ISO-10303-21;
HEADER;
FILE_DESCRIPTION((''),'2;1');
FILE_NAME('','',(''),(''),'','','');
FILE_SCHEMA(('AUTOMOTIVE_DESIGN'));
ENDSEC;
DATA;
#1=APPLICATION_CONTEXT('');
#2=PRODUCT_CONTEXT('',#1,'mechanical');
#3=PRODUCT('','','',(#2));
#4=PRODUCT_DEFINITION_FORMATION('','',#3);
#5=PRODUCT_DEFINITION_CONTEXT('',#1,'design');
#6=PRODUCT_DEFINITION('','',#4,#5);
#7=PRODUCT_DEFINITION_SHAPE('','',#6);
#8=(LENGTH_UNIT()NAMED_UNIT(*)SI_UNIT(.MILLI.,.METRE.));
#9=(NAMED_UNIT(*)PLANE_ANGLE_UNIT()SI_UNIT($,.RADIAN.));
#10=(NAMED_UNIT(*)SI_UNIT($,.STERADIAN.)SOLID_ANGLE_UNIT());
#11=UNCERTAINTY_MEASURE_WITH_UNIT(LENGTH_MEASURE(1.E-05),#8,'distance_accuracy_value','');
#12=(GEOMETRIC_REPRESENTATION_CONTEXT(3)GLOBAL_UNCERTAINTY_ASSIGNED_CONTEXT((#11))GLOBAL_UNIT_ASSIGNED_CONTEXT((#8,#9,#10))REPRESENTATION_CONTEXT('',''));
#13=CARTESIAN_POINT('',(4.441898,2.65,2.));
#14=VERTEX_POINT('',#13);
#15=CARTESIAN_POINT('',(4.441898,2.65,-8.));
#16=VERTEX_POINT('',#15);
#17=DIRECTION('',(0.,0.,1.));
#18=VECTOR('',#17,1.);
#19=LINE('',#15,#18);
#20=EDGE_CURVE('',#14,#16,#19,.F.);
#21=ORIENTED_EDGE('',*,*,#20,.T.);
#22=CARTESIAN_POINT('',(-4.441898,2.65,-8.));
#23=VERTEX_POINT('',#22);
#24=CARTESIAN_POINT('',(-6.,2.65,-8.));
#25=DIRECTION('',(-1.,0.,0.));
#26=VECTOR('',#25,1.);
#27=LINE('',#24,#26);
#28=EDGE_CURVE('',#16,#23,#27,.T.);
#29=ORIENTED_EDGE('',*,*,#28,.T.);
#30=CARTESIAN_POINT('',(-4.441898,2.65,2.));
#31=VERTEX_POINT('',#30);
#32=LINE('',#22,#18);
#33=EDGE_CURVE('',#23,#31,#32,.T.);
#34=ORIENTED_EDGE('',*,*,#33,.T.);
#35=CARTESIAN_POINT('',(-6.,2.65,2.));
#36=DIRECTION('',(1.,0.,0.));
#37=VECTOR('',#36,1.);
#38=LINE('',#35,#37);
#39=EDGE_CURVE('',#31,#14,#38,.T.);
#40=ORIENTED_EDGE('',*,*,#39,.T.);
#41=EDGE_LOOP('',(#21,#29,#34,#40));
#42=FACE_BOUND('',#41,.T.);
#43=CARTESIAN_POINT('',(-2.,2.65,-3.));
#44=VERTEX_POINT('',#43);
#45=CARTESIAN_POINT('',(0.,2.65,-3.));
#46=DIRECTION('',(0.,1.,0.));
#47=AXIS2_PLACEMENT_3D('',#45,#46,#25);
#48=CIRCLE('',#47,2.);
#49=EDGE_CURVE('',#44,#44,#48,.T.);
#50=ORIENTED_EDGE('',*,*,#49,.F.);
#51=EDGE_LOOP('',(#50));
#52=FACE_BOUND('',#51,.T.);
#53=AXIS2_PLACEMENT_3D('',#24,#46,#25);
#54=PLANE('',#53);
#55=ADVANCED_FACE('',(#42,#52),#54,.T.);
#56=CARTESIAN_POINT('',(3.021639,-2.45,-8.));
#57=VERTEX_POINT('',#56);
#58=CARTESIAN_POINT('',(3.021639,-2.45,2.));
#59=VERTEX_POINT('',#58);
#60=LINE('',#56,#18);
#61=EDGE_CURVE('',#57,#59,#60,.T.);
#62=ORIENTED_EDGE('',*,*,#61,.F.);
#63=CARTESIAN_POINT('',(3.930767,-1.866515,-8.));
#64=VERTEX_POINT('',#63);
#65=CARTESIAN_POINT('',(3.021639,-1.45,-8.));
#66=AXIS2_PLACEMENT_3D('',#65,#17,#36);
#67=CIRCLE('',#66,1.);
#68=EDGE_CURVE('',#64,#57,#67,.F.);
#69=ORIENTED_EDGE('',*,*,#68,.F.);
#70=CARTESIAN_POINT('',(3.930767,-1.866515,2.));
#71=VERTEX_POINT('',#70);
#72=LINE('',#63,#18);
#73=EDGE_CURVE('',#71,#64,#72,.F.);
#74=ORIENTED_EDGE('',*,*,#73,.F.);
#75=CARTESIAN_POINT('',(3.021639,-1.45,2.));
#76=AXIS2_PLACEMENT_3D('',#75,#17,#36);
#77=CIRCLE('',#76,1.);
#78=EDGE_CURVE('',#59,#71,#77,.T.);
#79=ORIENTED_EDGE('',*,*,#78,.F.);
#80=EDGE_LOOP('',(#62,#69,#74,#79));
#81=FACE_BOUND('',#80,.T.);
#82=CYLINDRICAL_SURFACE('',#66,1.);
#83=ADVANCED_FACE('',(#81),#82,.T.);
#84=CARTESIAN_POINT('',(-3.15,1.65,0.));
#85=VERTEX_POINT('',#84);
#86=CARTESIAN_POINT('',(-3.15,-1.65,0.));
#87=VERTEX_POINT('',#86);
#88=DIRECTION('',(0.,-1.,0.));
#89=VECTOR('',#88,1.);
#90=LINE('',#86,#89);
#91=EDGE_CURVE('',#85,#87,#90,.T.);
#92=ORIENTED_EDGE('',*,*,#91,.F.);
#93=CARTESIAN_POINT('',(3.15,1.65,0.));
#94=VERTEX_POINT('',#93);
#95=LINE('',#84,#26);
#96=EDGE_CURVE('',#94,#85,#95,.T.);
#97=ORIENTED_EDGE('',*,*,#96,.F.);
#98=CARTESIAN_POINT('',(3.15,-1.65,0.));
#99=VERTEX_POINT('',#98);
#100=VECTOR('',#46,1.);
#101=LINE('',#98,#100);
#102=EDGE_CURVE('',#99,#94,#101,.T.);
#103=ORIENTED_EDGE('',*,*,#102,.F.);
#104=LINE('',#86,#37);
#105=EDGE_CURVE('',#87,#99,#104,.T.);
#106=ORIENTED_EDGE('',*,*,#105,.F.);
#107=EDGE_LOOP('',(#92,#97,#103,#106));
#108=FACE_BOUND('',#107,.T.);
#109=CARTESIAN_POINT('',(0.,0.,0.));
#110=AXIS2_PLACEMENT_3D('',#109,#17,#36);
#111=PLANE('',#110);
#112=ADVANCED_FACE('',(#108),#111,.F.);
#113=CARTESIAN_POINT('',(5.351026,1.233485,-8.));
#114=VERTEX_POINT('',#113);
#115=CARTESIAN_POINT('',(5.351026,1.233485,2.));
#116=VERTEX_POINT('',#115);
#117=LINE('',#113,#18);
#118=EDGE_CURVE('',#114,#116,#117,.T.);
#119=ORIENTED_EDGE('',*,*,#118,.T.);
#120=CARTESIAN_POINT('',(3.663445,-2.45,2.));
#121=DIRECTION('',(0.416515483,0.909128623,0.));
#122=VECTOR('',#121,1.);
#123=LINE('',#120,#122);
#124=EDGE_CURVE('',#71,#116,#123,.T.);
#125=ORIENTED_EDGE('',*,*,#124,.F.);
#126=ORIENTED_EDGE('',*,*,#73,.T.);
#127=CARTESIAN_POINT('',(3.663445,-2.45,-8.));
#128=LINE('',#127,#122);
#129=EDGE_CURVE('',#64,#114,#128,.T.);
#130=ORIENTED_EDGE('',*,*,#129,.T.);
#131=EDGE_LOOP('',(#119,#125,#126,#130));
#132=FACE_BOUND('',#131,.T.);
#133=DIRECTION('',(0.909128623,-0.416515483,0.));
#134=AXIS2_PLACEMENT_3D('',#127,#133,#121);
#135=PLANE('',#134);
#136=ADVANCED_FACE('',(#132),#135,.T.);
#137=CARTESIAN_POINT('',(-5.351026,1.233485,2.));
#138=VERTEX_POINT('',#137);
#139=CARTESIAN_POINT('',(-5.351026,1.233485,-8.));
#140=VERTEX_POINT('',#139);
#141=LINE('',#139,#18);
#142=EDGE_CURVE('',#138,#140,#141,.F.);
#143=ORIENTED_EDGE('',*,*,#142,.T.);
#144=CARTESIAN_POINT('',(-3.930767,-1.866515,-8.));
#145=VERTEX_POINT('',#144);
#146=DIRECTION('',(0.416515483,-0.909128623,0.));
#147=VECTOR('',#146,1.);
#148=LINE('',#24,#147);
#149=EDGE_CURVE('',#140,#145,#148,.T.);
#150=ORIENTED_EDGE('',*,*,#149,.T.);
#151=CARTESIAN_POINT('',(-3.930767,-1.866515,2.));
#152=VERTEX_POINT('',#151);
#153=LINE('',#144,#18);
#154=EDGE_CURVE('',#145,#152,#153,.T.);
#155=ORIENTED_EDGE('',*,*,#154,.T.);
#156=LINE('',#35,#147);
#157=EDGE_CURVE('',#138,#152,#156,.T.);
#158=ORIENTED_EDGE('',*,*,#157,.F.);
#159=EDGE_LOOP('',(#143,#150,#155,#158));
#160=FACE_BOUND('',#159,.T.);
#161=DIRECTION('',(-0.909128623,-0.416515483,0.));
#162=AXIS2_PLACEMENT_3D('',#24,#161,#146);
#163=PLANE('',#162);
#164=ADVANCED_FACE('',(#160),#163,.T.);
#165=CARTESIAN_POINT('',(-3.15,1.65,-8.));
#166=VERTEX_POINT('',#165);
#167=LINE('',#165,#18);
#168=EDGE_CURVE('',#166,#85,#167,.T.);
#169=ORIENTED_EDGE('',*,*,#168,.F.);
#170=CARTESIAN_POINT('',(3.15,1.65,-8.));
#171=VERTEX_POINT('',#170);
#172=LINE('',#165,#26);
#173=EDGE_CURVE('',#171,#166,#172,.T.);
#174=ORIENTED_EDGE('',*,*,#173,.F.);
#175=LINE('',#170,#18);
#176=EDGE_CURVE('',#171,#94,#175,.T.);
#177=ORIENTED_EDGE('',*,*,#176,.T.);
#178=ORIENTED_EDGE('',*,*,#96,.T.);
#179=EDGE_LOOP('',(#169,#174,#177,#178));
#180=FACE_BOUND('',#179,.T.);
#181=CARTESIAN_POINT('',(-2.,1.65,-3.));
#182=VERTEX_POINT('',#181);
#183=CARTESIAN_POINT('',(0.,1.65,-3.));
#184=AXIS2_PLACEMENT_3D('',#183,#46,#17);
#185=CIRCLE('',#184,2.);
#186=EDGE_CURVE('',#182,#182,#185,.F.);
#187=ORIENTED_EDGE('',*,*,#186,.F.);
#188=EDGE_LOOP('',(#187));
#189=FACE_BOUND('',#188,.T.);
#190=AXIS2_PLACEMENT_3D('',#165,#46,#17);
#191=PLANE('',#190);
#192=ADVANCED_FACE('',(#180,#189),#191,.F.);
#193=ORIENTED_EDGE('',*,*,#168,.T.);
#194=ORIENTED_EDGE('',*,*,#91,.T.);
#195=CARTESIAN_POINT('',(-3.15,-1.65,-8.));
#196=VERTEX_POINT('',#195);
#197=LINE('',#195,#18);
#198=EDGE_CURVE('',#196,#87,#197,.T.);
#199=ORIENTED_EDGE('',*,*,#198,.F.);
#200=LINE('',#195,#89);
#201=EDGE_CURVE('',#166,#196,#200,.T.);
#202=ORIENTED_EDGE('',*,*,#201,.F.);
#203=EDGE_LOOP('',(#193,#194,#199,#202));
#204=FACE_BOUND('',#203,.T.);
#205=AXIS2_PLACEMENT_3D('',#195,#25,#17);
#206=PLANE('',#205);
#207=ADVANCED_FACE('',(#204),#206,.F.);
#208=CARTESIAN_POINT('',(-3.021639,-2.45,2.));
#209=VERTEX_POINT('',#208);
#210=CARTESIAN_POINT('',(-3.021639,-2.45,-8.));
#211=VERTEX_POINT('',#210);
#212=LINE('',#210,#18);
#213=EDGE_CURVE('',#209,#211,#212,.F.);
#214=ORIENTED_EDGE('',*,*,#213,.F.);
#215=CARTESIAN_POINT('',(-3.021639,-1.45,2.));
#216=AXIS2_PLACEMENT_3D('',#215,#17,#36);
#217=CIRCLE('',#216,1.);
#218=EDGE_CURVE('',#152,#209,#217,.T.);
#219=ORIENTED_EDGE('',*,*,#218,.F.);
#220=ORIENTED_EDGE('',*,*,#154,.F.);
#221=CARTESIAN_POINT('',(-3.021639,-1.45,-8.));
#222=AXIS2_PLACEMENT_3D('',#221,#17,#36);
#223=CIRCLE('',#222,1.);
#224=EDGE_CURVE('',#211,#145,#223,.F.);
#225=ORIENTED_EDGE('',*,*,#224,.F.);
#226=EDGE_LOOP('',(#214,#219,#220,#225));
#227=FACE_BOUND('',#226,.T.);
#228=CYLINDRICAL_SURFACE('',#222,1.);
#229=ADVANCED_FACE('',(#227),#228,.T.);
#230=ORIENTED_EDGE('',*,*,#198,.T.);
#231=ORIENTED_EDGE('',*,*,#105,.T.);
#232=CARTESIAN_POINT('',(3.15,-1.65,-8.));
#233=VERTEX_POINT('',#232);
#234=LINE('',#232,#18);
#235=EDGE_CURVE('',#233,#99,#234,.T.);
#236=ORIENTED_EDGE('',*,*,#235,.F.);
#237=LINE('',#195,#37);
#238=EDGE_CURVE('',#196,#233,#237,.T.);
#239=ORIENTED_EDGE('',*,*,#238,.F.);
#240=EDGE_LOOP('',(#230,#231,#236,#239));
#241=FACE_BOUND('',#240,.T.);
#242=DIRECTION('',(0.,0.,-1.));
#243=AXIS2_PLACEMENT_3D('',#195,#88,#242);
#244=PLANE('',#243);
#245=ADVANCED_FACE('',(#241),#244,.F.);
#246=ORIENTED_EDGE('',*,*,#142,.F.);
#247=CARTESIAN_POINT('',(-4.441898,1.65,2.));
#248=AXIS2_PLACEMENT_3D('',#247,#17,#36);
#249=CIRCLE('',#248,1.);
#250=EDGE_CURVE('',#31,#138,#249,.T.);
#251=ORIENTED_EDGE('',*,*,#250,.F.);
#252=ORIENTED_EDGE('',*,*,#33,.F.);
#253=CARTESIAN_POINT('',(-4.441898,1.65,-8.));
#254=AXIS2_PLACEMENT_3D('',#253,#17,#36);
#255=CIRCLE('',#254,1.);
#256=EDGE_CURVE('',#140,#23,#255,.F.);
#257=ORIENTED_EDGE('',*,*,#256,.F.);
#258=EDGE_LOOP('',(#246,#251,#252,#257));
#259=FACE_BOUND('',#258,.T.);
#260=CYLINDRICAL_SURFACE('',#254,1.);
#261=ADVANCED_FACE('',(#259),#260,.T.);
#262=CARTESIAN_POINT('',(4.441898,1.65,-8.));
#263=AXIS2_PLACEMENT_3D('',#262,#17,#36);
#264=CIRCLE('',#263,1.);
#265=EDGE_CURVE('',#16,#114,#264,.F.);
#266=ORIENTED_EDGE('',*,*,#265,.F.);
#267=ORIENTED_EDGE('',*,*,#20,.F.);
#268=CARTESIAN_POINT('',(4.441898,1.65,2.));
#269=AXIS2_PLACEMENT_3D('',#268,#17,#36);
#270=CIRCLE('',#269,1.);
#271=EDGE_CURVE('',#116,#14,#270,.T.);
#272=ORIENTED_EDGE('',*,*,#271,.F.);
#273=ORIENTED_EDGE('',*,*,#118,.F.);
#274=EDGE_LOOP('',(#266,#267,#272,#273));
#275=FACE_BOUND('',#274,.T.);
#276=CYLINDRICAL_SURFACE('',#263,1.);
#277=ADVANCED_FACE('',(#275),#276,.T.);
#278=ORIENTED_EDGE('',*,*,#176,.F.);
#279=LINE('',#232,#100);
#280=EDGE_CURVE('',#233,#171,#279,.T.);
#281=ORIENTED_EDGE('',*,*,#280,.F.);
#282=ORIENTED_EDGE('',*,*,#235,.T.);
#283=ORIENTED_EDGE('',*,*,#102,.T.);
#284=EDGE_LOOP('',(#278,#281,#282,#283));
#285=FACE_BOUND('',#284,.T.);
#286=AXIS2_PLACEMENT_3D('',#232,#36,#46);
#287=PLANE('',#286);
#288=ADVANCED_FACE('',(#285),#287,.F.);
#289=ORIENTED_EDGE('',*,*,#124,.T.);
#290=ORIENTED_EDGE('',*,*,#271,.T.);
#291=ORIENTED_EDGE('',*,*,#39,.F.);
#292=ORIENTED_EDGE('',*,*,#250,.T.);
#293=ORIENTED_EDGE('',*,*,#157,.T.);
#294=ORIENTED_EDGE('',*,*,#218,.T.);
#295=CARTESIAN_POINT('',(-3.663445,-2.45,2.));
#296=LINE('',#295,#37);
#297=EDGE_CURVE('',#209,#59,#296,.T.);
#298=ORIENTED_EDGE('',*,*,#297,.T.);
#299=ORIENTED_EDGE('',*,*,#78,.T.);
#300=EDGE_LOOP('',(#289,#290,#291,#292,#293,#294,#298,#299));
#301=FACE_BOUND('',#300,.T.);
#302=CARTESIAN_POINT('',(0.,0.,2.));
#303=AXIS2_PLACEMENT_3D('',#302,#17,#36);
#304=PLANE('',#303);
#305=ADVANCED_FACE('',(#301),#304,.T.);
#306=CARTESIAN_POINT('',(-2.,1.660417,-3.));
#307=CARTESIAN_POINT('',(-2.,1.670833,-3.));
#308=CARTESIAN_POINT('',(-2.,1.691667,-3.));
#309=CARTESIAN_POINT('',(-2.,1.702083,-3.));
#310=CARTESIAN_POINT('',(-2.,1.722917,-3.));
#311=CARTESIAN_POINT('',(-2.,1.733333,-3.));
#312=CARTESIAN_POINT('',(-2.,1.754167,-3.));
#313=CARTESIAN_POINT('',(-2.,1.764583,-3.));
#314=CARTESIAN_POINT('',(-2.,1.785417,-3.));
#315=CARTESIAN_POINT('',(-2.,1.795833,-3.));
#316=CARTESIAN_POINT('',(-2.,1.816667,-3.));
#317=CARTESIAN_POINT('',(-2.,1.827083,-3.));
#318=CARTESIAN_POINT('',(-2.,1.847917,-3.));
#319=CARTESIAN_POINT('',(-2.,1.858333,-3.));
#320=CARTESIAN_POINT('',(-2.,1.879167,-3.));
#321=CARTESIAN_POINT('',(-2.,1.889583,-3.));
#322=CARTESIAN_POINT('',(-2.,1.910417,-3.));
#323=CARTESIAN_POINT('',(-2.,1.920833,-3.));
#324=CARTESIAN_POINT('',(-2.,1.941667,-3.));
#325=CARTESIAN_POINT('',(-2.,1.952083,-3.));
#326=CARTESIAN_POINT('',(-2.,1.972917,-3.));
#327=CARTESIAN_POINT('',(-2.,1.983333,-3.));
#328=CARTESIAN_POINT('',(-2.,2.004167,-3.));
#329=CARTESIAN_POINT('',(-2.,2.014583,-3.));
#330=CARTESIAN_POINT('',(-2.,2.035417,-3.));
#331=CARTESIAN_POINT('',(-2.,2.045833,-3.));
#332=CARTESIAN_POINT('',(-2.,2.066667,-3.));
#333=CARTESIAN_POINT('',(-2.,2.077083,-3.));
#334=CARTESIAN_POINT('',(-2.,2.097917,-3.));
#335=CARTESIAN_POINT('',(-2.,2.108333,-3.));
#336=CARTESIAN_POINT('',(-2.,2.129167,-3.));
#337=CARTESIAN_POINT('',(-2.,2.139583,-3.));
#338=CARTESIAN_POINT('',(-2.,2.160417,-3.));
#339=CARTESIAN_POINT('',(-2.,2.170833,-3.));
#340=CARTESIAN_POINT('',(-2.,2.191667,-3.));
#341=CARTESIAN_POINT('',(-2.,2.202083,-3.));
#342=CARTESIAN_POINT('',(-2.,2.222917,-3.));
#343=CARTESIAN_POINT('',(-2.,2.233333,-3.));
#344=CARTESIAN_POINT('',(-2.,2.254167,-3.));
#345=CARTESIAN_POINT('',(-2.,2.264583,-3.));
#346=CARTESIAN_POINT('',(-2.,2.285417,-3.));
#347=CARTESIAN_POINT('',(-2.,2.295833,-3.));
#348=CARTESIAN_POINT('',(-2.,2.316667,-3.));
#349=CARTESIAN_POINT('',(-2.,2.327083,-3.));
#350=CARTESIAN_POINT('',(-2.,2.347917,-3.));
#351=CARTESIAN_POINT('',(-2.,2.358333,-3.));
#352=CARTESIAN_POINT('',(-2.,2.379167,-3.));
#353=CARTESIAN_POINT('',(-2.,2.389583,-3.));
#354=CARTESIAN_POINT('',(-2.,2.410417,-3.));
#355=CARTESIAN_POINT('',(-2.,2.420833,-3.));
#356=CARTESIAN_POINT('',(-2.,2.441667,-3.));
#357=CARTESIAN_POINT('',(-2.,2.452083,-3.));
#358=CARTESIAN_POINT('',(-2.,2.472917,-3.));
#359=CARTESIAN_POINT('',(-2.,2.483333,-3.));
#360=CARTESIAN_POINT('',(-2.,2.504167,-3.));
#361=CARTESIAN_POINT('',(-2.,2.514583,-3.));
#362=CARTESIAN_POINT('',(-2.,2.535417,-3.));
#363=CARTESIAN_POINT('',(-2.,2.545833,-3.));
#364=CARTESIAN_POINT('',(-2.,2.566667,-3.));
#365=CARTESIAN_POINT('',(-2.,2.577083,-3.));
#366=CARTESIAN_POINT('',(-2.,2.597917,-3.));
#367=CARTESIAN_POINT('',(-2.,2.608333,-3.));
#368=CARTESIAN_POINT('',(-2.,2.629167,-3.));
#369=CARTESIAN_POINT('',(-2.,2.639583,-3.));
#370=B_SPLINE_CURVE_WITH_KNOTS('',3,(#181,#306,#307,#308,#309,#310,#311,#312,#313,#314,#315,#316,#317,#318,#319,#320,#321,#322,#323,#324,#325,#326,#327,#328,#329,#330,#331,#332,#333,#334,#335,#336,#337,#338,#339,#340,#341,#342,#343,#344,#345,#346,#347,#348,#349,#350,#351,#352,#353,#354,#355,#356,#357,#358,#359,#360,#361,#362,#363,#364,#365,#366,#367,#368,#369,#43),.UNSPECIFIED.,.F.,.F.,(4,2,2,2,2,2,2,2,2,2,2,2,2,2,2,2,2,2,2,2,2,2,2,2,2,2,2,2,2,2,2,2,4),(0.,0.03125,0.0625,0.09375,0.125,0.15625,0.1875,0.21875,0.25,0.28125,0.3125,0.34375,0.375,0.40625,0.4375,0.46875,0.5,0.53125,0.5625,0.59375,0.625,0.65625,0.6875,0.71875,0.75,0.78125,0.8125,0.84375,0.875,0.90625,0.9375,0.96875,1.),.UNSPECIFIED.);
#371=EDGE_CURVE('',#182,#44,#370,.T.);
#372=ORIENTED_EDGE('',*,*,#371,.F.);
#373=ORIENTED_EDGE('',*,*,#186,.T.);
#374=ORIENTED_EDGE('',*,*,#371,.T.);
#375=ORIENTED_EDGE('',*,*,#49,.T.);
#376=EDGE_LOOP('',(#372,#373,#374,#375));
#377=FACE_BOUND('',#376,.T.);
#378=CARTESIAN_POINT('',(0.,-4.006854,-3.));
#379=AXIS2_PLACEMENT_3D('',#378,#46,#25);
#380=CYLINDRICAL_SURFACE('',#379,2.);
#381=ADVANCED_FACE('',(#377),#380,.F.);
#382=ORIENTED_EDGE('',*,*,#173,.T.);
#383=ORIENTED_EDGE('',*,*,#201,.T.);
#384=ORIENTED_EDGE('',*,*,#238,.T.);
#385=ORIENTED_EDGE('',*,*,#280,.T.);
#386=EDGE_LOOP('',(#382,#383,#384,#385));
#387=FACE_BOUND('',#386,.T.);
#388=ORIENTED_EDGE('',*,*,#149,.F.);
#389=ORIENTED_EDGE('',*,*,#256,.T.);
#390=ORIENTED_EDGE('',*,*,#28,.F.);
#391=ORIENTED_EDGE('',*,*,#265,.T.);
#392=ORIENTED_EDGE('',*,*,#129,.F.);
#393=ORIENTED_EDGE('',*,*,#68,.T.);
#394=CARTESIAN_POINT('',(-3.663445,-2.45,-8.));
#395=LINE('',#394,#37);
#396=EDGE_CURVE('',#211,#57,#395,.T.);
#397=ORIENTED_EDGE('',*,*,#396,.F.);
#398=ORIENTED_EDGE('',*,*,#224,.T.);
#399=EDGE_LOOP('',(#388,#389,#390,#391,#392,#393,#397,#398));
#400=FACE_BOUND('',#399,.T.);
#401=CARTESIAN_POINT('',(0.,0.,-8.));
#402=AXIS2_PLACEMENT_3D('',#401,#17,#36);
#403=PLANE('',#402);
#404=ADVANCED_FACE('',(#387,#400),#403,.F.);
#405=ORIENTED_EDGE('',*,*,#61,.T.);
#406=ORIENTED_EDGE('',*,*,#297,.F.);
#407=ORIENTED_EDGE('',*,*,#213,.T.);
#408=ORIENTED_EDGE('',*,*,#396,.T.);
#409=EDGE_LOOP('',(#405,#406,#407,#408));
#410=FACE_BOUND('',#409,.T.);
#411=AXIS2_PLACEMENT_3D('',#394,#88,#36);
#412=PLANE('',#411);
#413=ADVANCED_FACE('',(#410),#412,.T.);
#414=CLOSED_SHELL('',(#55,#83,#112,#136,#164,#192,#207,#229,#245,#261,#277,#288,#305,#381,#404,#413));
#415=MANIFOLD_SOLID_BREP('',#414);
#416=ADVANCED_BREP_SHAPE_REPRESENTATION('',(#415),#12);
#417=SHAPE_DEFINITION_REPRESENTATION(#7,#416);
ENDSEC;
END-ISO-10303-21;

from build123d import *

# Parameters (mm, degrees)
SKETCH1_W           = 6.3
SKETCH1_H           = 3.3
BOSS_EXTRUDE1_DEPTH = 8
BOSS_EXTRUDE2_DEPTH = 2
SKETCH2_R           = 2
CUT_EXTRUDE1_DEPTH  = 1
FILLET1_R           = 1


with BuildPart() as part:
    # Sketch1 → Boss-Extrude1 (new body)
    with BuildSketch(Plane.XY):
        Polygon((-6, 2.65), (6, 2.65), (3.663445075, -2.45), (-3.663445075, -2.45), align=None)
        Rectangle(SKETCH1_W, SKETCH1_H, mode=Mode.SUBTRACT)
    extrude(amount=-BOSS_EXTRUDE1_DEPTH)

    # Sketch1<2> → Boss-Extrude2 (add)
    with BuildSketch(Plane.XY):
        Polygon((-6, 2.65), (6, 2.65), (3.663445075, -2.45), (-3.663445075, -2.45), align=None)
    extrude(amount=BOSS_EXTRUDE2_DEPTH)

    # Sketch2 → Cut-Extrude1 (cut)
    with BuildSketch(Plane(origin=(0, 2.65, 0), x_dir=(1, 0, 0), z_dir=(0, 1, 0))):
        with Locations(Location((0, 3, 0), (0, 0, 180))):
            Circle(SKETCH2_R)
    extrude(amount=-CUT_EXTRUDE1_DEPTH, mode=Mode.SUBTRACT)

    # Fillet1
    fillet1_edges = [part.edges().sort_by_distance(p)[0] for p in [
        (-6, 2.65, -3),
        (6, 2.65, -3),
        (3.663445075, -2.45, -3),
        (-3.663445075, -2.45, -3),
    ]]
    fillet(fillet1_edges, radius=FILLET1_R)


solid = part.part
